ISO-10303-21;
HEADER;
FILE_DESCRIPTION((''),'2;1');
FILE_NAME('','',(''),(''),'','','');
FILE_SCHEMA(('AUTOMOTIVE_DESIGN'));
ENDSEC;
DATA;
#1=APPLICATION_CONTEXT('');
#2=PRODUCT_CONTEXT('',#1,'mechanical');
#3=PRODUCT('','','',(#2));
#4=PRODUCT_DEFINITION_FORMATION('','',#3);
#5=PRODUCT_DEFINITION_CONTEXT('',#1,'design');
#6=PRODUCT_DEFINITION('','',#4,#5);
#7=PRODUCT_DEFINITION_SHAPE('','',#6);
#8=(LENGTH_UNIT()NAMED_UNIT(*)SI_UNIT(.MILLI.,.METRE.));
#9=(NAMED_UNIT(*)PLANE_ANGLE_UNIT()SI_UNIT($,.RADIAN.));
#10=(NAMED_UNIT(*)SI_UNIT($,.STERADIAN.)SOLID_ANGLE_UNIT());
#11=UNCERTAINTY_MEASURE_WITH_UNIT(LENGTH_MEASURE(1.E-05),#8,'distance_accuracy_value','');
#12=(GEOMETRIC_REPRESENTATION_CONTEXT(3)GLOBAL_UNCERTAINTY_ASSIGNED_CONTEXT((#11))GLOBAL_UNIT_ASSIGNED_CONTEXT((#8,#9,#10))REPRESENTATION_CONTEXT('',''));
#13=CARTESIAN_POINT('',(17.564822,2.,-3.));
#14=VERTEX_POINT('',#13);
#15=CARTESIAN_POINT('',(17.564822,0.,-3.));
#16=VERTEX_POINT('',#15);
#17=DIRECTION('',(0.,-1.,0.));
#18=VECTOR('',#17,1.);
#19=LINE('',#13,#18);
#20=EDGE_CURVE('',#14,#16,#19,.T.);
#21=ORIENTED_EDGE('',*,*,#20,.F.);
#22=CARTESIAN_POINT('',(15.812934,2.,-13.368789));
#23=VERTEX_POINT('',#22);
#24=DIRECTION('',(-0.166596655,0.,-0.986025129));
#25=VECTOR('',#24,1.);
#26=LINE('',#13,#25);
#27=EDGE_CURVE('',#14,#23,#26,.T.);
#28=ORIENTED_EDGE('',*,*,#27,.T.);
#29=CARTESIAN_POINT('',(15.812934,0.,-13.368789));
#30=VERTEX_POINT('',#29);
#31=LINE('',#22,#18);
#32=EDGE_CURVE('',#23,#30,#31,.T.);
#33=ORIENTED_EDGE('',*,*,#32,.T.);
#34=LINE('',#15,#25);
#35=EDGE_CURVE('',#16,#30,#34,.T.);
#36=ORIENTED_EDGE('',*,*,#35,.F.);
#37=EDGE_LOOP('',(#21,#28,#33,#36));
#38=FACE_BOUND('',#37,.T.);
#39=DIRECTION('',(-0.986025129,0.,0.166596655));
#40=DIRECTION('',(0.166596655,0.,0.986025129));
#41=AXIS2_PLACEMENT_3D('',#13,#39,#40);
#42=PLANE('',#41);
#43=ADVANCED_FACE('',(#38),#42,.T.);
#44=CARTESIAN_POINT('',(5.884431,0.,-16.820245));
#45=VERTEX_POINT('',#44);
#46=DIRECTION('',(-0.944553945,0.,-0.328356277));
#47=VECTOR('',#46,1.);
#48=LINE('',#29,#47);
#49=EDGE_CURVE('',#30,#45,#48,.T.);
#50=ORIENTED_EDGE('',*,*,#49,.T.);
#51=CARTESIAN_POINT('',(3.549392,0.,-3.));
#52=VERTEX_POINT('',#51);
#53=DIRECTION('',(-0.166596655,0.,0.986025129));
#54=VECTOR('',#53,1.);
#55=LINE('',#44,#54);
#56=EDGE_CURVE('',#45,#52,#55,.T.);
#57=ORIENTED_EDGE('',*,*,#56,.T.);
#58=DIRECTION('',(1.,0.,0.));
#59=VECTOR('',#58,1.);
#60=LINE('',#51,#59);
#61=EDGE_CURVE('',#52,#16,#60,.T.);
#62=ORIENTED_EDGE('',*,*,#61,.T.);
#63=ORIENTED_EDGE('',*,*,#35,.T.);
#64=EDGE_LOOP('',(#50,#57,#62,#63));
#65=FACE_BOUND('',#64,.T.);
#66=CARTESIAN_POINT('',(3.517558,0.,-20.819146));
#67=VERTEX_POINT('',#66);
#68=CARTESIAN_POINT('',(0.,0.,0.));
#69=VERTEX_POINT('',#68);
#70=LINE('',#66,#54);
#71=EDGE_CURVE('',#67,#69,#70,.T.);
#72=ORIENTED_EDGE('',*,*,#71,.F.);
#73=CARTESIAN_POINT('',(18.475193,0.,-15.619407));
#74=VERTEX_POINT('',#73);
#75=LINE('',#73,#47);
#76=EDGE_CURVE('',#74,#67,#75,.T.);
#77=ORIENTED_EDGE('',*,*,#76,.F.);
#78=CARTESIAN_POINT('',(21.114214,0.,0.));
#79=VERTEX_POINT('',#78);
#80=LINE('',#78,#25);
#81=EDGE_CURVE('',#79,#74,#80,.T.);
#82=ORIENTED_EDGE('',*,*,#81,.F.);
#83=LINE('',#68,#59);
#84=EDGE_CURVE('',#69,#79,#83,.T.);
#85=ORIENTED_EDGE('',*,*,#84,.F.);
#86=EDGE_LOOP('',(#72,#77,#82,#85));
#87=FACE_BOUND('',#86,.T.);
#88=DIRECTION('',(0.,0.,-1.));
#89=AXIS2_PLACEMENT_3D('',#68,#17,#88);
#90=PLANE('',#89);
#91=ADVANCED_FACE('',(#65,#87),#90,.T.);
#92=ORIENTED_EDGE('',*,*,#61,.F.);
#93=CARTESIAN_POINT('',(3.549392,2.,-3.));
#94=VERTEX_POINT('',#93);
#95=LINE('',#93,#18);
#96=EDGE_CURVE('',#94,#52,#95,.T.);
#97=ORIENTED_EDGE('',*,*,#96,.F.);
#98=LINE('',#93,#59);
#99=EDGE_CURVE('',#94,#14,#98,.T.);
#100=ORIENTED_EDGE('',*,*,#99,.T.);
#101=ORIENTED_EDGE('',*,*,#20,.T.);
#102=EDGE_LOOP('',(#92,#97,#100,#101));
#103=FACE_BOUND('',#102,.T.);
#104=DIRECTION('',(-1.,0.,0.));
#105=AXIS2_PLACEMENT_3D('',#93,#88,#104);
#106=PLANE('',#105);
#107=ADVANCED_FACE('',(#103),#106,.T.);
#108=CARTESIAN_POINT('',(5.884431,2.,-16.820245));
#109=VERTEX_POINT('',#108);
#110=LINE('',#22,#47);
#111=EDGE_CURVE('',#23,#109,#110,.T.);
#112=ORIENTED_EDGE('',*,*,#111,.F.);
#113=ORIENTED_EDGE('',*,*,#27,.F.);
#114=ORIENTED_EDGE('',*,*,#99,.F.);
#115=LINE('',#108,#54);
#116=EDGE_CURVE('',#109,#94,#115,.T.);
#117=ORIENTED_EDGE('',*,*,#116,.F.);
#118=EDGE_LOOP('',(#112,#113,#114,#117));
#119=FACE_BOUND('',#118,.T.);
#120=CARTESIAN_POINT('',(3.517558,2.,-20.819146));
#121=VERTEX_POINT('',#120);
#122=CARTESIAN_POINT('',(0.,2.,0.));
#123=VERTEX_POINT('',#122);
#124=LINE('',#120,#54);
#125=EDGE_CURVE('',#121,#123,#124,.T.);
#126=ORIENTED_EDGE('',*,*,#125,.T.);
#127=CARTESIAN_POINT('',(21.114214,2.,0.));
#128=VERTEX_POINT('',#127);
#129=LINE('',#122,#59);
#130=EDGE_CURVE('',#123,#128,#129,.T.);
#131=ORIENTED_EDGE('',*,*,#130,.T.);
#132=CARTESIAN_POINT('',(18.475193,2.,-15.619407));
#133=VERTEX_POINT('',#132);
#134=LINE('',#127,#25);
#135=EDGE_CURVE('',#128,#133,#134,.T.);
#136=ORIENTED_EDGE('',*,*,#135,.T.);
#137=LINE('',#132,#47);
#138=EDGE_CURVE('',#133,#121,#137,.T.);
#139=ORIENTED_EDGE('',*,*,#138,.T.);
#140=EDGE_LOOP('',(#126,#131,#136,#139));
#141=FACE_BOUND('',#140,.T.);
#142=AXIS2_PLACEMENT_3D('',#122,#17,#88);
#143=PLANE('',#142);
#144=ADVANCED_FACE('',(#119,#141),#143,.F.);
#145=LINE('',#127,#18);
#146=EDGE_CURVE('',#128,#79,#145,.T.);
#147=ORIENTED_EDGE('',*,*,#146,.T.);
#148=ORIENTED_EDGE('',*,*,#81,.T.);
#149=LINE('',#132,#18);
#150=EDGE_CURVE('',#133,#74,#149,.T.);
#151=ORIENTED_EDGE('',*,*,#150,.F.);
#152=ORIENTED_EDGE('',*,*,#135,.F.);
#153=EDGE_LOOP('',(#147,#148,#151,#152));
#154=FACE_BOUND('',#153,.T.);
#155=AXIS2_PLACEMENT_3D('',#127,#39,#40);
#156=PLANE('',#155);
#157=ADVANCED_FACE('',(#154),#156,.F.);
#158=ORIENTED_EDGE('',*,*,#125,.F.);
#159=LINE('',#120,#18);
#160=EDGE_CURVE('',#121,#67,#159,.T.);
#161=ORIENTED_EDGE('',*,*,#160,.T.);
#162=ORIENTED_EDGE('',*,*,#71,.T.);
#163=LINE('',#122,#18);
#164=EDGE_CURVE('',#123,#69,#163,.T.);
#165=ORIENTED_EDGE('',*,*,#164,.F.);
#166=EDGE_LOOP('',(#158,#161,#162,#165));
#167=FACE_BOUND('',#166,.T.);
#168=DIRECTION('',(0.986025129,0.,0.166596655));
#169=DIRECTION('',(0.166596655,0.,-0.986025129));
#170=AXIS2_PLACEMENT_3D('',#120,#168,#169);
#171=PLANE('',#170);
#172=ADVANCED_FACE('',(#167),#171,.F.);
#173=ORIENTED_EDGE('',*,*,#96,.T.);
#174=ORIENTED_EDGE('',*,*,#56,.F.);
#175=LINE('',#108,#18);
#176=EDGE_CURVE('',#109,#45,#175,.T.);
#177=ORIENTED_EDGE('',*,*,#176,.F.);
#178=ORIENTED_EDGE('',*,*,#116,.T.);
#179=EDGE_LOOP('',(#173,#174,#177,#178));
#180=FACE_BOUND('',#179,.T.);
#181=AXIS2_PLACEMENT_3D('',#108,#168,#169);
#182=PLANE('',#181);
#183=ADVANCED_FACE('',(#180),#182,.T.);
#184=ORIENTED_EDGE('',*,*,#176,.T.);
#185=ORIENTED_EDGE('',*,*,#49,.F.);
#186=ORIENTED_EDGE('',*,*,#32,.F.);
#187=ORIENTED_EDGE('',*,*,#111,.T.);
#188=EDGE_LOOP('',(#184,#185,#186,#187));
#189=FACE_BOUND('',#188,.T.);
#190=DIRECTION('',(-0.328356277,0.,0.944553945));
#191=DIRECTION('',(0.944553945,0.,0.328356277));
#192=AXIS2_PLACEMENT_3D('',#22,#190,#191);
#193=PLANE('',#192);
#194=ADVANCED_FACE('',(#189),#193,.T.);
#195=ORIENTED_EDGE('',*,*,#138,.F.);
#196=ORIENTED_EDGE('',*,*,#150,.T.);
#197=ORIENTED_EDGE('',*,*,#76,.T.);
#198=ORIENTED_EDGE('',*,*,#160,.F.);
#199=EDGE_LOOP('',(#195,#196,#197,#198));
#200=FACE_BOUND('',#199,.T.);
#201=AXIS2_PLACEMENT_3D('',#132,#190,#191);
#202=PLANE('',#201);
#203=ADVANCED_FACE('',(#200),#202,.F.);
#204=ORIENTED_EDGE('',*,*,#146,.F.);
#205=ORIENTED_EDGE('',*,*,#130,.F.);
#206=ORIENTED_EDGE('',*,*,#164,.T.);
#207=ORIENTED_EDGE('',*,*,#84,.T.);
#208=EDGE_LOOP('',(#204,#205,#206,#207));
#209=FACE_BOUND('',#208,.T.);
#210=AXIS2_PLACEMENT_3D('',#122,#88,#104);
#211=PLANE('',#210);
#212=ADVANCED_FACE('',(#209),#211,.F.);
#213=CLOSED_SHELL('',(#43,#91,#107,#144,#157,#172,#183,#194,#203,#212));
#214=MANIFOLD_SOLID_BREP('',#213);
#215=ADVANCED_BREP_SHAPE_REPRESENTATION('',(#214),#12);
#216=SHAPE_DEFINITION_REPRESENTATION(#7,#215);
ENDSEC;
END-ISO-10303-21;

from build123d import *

# Parameters (mm, degrees)
BOSS_EXTRUDE1_DEPTH = 2


with BuildPart() as part:
    # Sketch1 → Boss-Extrude1 (new body)
    with BuildSketch(Plane(origin=(0, 0, 0), x_dir=(1, 0, 0), z_dir=(0, 1, 0))):
        Polygon((0, 0), (21.11421446, 0), (18.47519345, 15.619407395), (3.517557511, 20.81914603), align=None)
        Polygon((5.884430734, 16.82024507), (3.549392266, 3), (17.564822194, 3), (15.812934214, 13.368789015), align=None, mode=Mode.SUBTRACT)
    extrude(amount=BOSS_EXTRUDE1_DEPTH)


solid = part.part
